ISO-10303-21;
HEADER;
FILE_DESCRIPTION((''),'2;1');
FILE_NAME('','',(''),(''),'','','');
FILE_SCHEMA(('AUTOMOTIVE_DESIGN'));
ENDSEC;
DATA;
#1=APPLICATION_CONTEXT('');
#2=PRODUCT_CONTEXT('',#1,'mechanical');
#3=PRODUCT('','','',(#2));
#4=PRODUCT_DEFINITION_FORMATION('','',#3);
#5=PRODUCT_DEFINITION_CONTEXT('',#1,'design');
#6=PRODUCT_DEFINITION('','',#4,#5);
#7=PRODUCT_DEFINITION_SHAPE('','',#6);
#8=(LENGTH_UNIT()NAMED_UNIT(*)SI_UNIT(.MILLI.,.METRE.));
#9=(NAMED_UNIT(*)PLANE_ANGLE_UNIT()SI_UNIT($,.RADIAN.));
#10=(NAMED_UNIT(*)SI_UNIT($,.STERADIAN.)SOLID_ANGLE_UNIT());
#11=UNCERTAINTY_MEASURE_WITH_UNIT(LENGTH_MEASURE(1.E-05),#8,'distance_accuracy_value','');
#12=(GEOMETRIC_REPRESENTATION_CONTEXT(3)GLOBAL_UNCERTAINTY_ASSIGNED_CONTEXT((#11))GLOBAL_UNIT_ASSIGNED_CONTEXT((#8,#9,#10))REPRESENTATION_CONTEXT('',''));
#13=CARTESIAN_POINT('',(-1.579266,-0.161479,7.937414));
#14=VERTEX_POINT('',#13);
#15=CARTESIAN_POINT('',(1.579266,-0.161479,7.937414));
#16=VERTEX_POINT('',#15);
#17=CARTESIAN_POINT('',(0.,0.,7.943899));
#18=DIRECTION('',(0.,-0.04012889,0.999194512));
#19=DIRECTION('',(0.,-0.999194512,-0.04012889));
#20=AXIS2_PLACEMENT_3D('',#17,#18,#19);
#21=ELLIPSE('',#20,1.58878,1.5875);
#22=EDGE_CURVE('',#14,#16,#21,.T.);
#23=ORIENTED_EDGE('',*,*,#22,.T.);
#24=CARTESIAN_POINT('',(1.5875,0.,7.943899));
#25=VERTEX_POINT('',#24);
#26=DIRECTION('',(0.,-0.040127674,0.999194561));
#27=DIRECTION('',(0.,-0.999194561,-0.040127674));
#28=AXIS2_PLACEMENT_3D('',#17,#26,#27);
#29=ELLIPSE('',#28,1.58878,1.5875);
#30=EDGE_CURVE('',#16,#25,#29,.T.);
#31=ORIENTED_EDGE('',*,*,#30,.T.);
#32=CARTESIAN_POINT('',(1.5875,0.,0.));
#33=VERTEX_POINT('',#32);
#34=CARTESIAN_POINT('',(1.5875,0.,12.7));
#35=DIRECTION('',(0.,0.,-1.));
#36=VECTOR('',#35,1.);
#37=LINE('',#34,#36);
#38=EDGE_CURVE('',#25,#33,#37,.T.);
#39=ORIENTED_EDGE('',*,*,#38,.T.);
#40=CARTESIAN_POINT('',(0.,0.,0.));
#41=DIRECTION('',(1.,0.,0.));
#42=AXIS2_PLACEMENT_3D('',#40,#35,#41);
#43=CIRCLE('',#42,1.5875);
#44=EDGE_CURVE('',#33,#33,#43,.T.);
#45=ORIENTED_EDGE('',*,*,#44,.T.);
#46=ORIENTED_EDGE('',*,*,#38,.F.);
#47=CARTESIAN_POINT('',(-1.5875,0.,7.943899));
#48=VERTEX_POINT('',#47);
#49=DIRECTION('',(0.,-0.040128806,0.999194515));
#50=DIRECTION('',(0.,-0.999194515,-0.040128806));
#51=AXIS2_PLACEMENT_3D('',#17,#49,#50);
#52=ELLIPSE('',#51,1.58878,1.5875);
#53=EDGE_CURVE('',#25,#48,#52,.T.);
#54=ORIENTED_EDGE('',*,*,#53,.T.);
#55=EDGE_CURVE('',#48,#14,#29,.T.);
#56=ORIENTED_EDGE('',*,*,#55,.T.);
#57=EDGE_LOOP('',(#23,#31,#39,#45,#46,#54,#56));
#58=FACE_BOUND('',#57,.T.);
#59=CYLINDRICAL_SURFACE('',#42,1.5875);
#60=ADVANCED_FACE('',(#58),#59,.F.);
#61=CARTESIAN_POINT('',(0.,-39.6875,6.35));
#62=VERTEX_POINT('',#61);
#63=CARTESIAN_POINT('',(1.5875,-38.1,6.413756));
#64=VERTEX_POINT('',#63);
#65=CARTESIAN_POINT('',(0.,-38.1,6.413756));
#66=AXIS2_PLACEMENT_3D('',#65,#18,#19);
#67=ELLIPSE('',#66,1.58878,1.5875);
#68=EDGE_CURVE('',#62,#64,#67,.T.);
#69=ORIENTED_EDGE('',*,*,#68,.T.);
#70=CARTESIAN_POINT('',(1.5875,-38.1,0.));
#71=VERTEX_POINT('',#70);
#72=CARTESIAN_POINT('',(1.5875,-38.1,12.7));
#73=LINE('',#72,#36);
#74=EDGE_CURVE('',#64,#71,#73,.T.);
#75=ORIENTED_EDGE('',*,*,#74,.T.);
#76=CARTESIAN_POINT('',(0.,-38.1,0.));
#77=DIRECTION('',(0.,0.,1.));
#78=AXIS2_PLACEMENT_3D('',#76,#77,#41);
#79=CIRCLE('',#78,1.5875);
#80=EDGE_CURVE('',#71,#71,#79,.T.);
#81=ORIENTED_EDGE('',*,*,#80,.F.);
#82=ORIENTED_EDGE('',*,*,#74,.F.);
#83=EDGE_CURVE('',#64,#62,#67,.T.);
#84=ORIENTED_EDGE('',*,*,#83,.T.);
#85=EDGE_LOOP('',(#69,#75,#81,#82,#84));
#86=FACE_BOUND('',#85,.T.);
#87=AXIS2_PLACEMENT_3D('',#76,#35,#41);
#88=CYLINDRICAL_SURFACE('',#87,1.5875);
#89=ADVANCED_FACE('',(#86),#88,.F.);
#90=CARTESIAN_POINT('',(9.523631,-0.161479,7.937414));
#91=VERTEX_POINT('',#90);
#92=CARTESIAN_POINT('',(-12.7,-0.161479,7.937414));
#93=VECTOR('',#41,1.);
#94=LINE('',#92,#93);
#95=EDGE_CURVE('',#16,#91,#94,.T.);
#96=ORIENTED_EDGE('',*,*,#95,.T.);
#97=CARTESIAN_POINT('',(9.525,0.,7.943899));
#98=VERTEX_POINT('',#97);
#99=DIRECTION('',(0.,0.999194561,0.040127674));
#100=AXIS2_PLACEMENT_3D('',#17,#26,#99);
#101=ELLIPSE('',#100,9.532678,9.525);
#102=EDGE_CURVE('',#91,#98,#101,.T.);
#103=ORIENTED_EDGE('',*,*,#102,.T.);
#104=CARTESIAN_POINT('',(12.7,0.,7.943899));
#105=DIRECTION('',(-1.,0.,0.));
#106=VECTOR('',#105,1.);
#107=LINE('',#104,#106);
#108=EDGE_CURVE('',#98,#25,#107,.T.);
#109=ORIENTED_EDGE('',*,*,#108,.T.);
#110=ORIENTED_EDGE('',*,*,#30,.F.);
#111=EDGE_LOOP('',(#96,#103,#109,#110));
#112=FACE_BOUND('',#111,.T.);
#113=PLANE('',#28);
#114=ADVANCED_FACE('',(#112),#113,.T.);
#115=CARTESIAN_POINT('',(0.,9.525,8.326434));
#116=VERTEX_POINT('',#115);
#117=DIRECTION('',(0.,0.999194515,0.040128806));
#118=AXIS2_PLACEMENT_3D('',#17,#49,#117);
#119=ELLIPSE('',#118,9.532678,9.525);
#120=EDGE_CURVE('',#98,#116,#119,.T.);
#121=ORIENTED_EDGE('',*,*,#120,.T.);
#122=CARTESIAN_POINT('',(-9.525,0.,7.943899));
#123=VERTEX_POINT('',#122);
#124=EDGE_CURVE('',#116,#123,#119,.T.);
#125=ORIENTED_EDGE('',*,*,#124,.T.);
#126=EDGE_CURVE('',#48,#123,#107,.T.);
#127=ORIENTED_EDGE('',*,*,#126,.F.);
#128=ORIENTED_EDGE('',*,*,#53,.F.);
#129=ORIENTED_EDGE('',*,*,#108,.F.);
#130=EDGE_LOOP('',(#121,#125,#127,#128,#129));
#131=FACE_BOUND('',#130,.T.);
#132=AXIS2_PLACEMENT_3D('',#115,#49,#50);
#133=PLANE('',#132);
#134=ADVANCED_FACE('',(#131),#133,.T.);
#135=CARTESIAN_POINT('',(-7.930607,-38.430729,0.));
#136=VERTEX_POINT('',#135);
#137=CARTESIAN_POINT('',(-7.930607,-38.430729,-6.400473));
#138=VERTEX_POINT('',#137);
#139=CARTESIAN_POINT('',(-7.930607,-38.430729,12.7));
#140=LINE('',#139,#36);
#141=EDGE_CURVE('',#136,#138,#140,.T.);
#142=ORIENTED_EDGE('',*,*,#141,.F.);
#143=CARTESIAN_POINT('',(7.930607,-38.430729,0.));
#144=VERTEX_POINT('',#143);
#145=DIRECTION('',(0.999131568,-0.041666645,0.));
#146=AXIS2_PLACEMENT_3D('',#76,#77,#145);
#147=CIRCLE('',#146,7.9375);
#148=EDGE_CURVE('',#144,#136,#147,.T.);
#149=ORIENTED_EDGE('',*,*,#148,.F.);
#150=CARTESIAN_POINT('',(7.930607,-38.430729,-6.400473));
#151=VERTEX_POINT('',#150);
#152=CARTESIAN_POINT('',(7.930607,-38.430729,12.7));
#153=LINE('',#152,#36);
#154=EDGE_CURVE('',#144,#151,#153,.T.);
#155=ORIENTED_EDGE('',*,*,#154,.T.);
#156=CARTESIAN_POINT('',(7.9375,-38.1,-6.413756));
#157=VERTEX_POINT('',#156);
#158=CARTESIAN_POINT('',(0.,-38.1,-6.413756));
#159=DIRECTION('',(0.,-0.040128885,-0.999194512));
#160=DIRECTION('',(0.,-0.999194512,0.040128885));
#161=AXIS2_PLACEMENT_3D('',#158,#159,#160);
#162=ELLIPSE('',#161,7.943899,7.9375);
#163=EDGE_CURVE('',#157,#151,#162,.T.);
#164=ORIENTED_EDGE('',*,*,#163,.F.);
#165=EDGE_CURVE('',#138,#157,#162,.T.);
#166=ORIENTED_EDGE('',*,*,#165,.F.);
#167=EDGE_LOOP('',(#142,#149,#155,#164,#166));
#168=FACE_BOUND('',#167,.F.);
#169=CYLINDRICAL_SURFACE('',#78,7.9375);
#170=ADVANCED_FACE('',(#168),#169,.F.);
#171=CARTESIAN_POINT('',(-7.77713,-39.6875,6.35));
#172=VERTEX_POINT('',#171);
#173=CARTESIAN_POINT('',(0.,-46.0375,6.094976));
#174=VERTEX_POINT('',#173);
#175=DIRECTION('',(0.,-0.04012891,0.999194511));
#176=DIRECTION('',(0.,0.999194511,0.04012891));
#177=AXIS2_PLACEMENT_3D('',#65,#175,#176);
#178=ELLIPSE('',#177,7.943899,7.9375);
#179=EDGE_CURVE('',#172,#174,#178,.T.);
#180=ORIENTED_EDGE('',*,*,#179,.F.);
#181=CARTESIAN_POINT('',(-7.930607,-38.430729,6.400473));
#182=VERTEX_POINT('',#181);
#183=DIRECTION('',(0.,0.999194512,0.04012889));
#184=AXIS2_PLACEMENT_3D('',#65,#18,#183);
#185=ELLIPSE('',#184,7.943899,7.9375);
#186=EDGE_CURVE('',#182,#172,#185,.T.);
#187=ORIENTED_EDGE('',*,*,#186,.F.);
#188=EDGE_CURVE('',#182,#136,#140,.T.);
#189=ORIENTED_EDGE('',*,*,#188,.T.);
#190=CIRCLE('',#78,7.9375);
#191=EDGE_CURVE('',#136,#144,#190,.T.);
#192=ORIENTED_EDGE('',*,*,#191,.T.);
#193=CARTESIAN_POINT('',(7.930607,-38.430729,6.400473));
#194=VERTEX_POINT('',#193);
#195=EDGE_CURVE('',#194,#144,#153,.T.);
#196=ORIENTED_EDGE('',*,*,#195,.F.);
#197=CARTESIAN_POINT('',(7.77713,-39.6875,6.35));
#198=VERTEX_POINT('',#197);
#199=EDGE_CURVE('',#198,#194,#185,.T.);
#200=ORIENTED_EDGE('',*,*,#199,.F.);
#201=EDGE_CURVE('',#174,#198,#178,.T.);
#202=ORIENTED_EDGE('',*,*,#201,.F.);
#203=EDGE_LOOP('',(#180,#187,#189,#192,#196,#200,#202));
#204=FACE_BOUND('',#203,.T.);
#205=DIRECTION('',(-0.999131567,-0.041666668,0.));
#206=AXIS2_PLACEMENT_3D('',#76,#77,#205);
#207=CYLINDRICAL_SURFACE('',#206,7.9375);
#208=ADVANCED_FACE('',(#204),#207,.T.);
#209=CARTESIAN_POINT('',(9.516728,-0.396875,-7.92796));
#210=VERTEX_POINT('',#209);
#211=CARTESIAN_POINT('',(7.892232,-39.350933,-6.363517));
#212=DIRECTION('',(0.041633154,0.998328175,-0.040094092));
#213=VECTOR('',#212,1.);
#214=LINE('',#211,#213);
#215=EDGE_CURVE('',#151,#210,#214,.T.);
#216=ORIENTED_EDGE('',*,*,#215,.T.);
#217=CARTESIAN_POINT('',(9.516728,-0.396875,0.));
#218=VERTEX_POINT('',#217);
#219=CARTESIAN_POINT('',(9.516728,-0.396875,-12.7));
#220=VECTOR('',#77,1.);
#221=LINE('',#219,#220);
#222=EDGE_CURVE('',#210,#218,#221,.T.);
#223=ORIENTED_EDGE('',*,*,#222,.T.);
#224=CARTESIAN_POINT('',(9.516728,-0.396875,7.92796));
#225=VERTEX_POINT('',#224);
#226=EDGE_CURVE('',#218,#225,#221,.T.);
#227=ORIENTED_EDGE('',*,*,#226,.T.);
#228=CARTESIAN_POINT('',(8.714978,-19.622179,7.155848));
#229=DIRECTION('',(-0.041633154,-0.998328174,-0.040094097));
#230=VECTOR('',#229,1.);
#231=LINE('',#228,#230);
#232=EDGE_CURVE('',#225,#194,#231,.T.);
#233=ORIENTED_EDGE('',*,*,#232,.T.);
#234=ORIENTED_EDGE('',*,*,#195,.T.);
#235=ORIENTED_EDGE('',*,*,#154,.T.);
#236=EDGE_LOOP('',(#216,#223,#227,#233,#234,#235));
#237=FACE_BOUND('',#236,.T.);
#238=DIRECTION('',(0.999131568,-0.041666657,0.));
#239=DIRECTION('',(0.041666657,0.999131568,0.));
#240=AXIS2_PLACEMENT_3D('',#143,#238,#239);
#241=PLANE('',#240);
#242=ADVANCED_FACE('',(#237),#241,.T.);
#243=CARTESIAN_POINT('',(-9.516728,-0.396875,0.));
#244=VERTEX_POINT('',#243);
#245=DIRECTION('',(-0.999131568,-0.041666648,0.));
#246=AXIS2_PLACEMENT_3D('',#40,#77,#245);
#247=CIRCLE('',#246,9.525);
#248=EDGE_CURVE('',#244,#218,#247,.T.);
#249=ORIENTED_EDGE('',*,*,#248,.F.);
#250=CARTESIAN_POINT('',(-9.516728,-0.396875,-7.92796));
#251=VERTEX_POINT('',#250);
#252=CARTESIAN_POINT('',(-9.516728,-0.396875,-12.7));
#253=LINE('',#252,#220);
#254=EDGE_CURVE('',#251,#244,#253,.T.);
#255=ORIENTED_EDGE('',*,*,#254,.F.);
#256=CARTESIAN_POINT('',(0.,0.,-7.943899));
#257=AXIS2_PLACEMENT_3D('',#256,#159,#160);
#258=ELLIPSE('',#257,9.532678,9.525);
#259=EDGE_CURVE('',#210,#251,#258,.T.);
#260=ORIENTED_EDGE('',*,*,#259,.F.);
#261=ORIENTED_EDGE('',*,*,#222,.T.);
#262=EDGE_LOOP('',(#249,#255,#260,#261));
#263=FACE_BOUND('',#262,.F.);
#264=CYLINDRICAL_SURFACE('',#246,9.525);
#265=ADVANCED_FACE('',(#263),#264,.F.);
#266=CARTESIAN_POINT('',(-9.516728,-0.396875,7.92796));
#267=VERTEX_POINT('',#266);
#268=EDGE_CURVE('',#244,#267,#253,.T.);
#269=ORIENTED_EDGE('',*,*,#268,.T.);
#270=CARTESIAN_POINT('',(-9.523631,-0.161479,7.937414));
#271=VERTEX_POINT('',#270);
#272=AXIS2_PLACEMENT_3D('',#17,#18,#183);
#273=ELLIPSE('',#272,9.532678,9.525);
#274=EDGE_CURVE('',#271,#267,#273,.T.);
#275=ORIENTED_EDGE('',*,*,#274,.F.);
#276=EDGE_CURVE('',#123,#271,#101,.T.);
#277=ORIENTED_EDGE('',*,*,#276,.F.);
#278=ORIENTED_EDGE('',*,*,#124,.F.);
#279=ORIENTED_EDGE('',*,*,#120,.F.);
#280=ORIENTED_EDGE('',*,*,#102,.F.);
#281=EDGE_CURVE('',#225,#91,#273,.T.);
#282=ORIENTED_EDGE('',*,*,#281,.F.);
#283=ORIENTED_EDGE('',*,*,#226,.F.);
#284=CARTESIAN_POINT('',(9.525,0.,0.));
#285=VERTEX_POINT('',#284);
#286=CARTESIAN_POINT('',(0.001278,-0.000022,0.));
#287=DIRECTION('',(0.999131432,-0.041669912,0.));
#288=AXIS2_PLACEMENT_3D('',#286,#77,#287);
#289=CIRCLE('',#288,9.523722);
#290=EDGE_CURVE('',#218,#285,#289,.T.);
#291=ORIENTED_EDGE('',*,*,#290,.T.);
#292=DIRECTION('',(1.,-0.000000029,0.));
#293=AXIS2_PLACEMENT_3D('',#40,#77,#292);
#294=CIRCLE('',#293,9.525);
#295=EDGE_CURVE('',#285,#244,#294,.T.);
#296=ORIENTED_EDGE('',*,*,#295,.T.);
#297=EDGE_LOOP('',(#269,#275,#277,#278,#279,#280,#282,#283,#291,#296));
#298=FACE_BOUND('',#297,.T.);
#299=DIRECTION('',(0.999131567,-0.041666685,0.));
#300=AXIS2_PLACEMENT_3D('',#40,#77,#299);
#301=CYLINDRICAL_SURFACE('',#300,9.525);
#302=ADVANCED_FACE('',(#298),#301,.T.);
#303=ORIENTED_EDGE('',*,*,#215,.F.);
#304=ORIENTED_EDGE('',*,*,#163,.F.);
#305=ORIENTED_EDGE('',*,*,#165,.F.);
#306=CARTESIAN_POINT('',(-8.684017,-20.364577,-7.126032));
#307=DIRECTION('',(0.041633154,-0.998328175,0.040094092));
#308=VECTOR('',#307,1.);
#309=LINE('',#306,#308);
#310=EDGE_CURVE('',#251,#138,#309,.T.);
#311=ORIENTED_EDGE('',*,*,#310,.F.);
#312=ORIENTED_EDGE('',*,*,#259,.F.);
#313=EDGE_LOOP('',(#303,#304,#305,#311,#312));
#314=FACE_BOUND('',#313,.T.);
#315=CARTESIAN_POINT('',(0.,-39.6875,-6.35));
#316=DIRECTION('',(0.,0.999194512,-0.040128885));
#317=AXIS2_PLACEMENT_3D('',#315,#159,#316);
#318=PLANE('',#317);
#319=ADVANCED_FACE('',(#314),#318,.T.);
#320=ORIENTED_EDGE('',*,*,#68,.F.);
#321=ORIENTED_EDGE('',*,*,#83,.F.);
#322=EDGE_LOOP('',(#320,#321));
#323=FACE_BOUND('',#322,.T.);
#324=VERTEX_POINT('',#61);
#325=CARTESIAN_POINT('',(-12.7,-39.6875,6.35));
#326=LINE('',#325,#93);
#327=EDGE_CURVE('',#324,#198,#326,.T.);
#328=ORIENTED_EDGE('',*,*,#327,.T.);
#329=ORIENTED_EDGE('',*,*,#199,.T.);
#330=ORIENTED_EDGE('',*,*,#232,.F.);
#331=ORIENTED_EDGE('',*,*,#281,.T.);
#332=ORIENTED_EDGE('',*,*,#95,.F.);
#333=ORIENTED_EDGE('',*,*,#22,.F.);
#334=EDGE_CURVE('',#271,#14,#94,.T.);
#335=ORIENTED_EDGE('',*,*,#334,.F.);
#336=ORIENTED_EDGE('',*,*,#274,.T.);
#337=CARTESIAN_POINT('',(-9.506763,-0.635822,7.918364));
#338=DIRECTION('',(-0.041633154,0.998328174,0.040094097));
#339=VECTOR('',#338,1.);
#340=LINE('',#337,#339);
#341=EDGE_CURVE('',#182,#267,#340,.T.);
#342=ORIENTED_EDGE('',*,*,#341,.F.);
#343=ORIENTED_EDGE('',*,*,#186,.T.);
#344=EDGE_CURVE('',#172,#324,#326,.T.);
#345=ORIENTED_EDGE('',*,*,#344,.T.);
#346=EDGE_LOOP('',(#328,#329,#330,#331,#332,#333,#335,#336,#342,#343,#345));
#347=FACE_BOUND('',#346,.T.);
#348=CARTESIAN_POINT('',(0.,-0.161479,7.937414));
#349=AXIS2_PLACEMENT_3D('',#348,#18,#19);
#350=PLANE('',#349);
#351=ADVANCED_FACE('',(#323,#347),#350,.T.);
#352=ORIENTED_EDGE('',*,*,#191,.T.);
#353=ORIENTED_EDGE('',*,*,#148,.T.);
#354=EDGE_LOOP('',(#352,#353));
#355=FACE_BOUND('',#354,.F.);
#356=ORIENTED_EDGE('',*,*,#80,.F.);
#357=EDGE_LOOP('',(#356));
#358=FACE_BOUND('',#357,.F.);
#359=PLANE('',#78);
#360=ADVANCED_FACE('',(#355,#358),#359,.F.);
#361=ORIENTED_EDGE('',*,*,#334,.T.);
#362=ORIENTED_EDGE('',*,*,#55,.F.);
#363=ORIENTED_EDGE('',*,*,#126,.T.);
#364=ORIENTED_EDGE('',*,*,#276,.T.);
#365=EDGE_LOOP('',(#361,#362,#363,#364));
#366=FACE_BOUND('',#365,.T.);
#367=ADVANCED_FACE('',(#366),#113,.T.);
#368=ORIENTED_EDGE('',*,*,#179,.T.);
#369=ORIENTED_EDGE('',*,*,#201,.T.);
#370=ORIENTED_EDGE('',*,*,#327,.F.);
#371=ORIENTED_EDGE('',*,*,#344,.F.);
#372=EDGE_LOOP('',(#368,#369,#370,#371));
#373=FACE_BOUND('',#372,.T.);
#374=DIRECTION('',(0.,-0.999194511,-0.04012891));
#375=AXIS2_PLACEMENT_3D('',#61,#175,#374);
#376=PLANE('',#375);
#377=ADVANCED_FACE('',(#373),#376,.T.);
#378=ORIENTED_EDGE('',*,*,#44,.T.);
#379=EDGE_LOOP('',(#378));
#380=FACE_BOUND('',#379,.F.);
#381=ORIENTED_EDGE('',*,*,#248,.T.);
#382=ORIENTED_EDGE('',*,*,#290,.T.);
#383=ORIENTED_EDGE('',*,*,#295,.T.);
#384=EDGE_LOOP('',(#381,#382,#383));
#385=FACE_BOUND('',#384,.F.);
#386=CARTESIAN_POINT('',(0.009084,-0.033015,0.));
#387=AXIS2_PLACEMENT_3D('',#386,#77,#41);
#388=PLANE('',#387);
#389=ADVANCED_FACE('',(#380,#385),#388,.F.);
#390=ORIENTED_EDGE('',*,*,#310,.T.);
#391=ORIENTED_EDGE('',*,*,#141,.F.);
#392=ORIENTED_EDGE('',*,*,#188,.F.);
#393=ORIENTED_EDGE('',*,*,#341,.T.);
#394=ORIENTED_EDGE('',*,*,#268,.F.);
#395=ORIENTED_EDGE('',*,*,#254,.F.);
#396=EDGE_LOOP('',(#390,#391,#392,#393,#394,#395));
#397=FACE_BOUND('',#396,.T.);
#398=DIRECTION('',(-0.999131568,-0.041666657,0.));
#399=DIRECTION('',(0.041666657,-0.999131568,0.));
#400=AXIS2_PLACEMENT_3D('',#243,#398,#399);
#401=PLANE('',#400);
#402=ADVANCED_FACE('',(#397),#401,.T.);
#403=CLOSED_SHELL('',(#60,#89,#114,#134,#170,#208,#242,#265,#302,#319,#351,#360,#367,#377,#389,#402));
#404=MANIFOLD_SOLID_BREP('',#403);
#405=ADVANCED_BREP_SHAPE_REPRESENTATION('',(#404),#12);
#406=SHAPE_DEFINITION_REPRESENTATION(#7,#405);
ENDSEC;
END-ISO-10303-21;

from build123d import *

# Parameters (mm, degrees)
F0_R     = 1.5875
F2_DEPTH = 12.7
F3_DEPTH = 12.7
F5_R     = 7.9375
F5_R_2   = 1.5875
F6_DEPTH = 25.4


with BuildPart() as f2:
    # F0 (on Top) → F2 (new body, symmetric)
    with BuildSketch(Plane.XY):
        with BuildLine():
            Line((7.930607, -38.430729), (9.516728, -0.396875))
            ThreePointArc((9.516728, -0.396875), (0, 9.525), (-9.516728, -0.396875))
            Line((-9.516728, -0.396875), (-7.930607, -38.430729))
            ThreePointArc((-7.930607, -38.430729), (0, -46.0375), (7.930607, -38.430729))
        make_face()
        with Locations((0, -38.1)):
            Circle(F0_R, mode=Mode.SUBTRACT)
        Circle(F0_R, mode=Mode.SUBTRACT)
    extrude(amount=F2_DEPTH, both=True)

    # F1 (on Right) → F3 (intersect, symmetric)
    with BuildSketch(Plane.YZ):
        Polygon((0, 7.943899), (-0.161479, 7.937414), (-39.6875, 6.35), (-46.0375, 6.094976), (-46.0375, -6.094976), (-39.6875, -6.35), (0, -7.943899), (9.525, -8.326434), (9.525, 8.326434), align=None)
    extrude(amount=F3_DEPTH, both=True, mode=Mode.INTERSECT)

    # F5 (on offset) → F6 (cut)
    with BuildSketch(Plane.XY):
        with BuildLine():
            ThreePointArc((-9.516728, -0.396875), (0, -9.525), (9.516728, -0.396875))
            ThreePointArc((9.516728, -0.396875), (9.522932, -0.198481), (9.525, 0))
            ThreePointArc((9.525, 0), (-0.198481, 9.522932), (-9.516728, -0.396875))
        make_face()
        with Locations((0, -38.1)):
            Circle(F5_R)
        with Locations((0, -38.1)):
            Circle(F5_R_2, mode=Mode.SUBTRACT)
    extrude(amount=-F6_DEPTH, mode=Mode.SUBTRACT)


solid = f2.part
